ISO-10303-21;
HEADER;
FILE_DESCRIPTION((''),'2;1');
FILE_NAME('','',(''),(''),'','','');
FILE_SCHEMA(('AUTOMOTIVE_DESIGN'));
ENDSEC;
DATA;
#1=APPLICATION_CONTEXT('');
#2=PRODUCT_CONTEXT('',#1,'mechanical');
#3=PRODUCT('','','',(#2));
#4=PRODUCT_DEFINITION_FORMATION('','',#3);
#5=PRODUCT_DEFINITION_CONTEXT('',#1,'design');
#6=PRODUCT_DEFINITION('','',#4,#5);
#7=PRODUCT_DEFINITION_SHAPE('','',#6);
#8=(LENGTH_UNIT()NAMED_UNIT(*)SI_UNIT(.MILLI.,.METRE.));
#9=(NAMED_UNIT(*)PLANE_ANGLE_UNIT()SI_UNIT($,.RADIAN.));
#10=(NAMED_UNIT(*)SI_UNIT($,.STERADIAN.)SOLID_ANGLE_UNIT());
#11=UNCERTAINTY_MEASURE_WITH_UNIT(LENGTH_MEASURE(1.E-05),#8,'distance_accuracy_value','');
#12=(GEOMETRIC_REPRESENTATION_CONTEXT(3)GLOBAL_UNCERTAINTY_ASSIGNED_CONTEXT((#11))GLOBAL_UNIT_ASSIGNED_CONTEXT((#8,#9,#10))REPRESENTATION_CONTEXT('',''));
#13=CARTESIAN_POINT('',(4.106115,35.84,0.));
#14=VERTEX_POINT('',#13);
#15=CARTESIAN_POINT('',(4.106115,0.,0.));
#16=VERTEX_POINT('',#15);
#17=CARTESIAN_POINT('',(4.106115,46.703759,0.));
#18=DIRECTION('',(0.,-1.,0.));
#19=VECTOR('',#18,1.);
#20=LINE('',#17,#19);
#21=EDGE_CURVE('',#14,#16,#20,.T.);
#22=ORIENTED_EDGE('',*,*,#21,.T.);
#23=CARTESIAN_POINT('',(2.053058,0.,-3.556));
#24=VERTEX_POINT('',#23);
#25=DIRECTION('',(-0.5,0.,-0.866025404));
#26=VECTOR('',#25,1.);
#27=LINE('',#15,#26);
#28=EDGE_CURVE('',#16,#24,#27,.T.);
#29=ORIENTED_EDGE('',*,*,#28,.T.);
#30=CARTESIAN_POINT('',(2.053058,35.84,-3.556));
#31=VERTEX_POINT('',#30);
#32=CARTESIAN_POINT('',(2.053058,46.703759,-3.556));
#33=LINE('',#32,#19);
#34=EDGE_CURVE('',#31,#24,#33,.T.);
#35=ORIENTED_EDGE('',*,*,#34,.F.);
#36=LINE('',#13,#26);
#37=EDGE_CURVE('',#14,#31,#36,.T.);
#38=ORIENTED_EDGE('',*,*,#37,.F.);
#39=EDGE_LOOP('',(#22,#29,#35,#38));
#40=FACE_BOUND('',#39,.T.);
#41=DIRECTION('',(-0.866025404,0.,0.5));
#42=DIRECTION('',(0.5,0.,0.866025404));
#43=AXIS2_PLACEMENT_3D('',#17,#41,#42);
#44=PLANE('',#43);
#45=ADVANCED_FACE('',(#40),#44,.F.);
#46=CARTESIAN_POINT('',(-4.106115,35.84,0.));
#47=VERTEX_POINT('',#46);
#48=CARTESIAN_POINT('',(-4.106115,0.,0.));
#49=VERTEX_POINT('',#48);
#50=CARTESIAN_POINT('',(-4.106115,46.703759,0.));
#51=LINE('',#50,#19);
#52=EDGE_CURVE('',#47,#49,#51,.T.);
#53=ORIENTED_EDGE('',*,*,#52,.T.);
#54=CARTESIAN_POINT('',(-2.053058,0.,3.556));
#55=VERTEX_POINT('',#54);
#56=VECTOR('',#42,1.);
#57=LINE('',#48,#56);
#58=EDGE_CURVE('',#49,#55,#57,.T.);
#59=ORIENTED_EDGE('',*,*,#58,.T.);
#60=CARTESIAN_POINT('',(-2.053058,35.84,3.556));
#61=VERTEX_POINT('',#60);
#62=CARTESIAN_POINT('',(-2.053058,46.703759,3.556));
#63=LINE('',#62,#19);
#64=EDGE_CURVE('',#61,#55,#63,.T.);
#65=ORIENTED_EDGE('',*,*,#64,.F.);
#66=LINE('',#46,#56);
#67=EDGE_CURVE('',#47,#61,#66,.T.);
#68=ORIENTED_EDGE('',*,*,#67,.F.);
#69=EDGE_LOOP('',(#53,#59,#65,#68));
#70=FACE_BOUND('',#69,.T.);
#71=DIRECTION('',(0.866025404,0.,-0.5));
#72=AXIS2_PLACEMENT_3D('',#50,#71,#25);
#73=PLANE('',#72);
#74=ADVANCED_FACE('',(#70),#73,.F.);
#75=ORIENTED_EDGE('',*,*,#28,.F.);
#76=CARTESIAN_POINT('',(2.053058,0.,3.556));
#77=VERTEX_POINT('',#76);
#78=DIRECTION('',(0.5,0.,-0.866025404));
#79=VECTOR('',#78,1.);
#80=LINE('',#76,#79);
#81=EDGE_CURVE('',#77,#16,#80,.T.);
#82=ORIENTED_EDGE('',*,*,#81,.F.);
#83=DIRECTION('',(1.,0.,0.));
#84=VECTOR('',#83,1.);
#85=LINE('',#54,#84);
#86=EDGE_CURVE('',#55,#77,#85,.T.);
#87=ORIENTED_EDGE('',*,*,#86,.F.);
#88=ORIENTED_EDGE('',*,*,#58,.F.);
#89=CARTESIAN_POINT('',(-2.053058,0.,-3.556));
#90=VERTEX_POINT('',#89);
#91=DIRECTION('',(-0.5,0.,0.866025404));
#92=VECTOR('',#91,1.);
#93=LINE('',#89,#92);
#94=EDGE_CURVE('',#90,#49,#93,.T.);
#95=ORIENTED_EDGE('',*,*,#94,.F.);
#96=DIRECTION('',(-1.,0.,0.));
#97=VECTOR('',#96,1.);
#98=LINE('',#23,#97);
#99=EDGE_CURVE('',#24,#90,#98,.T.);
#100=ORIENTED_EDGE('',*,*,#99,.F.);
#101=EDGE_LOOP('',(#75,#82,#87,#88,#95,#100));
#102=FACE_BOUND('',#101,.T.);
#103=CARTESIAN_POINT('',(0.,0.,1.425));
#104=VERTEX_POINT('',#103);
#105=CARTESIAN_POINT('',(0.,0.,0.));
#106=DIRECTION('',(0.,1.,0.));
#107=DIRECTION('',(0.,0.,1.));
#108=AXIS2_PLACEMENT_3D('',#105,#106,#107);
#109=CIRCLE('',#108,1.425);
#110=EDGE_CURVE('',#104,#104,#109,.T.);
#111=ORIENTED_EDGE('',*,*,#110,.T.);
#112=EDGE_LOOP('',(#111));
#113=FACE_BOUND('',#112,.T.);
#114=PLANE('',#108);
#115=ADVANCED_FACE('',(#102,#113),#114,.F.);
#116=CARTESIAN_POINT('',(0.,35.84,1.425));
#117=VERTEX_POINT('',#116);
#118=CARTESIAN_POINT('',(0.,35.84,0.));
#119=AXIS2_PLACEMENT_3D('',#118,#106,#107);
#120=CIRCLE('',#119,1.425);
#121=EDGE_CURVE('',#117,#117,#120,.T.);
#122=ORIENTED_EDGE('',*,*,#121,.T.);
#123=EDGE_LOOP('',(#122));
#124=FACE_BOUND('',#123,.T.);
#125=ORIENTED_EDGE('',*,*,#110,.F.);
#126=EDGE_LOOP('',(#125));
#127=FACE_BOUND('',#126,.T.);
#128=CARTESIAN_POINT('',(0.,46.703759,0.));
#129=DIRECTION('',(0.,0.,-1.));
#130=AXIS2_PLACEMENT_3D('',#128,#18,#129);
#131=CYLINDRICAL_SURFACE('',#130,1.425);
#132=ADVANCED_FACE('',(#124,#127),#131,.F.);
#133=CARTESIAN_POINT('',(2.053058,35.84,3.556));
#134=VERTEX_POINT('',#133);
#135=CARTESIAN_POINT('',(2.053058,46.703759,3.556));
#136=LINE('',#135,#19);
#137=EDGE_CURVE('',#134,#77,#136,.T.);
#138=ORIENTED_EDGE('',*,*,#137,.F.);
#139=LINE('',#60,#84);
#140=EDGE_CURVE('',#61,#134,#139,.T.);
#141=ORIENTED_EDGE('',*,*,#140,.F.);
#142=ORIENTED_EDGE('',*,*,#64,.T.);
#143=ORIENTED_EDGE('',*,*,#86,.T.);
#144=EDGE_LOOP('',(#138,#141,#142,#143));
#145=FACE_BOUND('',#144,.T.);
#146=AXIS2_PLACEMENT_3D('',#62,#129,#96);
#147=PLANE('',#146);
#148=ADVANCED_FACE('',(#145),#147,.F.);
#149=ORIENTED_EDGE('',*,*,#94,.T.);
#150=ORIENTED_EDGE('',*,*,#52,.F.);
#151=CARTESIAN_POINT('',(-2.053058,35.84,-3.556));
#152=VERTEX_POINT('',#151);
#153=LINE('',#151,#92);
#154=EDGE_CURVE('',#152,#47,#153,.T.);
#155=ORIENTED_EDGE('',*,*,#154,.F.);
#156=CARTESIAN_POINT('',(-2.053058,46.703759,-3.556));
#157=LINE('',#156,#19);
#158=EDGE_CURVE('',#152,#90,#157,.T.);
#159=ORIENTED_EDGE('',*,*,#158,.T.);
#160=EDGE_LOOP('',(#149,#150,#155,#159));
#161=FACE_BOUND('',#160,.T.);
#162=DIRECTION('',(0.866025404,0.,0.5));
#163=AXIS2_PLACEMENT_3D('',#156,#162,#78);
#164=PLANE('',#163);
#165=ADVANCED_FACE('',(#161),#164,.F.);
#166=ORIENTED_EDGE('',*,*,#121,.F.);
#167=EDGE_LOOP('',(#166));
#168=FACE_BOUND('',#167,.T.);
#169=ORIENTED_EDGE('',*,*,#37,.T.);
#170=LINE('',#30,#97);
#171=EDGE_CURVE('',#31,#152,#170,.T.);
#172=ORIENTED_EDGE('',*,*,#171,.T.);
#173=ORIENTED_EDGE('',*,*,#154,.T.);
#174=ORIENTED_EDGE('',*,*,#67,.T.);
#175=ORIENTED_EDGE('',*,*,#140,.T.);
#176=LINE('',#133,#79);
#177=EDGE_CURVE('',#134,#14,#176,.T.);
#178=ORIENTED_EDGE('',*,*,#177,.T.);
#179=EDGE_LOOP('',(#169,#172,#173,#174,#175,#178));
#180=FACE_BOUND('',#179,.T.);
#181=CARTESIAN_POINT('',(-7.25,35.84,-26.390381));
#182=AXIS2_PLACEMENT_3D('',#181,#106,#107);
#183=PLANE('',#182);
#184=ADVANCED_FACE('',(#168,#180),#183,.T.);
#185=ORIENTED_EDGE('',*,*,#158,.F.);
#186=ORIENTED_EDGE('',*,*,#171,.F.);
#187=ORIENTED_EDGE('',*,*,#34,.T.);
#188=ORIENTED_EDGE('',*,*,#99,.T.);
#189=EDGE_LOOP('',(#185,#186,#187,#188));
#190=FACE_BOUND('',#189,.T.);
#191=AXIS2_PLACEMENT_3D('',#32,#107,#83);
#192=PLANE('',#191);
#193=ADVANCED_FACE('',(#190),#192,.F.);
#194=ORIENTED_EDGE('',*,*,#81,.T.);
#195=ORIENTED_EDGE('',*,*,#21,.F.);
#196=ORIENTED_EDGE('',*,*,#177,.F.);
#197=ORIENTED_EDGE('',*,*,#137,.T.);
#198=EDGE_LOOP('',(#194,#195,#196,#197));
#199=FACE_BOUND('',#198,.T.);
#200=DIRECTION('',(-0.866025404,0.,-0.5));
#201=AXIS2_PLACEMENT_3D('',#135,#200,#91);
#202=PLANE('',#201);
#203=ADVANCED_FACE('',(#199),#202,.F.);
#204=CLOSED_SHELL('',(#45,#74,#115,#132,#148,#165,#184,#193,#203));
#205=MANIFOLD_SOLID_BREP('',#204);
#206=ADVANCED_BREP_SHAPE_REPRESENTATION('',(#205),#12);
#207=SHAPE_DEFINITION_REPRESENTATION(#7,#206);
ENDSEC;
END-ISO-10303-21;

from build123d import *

# Parameters (mm, degrees)
SKETCH1_R           = 1.425
BOSS_EXTRUDE1_DEPTH = 35.84


with BuildPart() as part:
    # Sketch1 → Boss-Extrude1 (new body)
    with BuildSketch(Plane(origin=(0, 0, 0), x_dir=(1, 0, 0), z_dir=(0, 1, 0))):
        Polygon((4.106115114, 0), (2.053057557, 3.556), (-2.053057557, 3.556), (-4.106115114, 0), (-2.053057557, -3.556), (2.053057557, -3.556), align=None)
        with Locations(Location((0, 0, 0), (0, 0, 270))):
            Circle(SKETCH1_R, mode=Mode.SUBTRACT)
    extrude(amount=BOSS_EXTRUDE1_DEPTH)


solid = part.part
